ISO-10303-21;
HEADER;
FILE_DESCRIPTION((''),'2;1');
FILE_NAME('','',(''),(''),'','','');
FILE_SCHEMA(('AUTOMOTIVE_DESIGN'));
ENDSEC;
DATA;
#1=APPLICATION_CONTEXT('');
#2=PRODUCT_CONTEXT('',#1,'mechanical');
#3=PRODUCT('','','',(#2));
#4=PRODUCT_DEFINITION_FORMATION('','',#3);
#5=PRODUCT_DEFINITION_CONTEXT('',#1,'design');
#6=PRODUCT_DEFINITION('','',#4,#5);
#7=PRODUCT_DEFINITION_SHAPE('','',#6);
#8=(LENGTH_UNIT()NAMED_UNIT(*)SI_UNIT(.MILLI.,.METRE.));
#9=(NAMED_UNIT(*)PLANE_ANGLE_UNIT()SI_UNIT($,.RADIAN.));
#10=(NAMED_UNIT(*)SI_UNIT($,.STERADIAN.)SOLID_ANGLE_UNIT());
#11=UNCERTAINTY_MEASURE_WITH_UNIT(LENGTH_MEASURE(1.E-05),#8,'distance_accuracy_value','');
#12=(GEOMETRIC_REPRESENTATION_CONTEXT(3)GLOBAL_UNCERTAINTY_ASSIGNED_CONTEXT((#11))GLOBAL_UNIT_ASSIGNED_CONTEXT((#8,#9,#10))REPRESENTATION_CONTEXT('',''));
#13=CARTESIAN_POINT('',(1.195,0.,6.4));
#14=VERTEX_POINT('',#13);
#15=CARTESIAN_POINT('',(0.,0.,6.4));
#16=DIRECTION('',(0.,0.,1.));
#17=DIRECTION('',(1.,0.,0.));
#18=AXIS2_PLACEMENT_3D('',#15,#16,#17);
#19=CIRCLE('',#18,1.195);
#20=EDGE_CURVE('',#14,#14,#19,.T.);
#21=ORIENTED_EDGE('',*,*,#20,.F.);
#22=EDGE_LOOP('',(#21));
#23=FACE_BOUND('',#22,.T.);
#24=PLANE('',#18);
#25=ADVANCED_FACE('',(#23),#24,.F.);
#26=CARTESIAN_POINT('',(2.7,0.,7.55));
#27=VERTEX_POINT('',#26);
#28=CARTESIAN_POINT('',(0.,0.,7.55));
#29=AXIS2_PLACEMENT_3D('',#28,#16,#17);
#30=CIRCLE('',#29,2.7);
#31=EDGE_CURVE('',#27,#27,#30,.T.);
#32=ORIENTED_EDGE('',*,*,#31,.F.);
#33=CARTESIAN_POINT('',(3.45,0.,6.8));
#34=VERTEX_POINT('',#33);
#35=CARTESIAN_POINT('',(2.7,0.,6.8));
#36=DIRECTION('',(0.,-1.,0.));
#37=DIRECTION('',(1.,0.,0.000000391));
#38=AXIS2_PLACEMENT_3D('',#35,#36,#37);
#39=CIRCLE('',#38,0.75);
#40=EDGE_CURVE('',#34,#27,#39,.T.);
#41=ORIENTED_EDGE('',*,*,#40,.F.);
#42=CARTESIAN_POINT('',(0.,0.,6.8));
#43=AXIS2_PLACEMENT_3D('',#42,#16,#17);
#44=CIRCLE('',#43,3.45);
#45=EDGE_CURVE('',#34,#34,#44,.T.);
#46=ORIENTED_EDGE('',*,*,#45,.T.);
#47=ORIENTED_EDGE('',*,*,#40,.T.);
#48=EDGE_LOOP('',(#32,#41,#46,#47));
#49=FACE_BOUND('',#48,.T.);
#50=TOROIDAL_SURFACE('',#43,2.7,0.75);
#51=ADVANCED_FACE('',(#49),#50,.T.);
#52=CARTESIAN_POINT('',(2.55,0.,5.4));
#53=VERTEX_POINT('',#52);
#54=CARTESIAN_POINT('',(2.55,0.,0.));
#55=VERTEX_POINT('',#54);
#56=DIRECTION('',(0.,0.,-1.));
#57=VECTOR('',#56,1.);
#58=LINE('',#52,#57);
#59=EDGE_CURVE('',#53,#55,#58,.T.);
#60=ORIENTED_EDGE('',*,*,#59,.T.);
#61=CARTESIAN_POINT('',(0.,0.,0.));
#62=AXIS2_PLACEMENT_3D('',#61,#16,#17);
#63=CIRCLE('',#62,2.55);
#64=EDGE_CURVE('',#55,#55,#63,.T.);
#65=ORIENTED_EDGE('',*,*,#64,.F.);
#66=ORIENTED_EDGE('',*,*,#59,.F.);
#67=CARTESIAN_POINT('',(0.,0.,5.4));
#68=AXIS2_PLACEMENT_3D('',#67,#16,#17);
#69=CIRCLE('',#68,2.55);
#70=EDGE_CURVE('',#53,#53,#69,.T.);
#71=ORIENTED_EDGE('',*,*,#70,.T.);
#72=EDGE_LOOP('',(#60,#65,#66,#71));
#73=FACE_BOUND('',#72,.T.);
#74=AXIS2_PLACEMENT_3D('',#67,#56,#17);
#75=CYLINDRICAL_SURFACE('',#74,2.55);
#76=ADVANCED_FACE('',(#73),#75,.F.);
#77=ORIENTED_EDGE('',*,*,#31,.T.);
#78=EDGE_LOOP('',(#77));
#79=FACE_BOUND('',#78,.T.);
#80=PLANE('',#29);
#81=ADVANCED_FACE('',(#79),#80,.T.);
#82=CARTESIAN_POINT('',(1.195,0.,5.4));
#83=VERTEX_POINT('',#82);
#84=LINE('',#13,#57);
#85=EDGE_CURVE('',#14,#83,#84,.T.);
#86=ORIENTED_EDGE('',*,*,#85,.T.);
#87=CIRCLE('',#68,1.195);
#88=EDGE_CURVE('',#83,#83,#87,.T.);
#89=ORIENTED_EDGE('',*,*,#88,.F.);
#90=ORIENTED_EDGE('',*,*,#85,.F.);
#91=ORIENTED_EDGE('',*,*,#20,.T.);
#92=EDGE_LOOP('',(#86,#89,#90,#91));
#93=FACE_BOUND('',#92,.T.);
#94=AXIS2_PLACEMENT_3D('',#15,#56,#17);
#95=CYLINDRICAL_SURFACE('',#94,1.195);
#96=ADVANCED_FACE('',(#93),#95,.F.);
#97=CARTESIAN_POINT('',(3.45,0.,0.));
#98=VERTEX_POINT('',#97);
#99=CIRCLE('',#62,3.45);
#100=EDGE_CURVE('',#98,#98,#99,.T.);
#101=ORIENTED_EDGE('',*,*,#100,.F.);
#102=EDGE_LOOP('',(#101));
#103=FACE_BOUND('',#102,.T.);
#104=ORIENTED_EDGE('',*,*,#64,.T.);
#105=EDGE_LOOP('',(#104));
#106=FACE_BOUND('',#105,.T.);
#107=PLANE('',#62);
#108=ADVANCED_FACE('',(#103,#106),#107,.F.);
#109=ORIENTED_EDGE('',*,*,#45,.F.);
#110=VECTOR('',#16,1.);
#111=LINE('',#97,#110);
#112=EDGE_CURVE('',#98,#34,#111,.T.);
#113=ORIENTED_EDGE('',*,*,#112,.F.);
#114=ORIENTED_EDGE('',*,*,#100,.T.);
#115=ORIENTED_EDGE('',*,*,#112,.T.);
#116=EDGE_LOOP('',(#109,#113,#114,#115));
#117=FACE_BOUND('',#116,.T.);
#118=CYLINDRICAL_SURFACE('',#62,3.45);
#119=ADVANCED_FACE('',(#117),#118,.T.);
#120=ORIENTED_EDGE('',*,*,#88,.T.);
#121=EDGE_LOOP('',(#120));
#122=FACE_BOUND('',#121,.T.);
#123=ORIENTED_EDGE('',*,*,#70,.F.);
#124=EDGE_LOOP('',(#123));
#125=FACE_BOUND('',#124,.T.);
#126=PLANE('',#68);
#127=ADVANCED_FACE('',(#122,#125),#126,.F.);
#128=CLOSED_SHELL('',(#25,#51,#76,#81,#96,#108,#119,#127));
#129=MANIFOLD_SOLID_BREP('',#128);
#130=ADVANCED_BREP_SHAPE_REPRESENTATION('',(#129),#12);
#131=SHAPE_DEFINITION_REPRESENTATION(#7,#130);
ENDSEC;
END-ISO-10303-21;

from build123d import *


with BuildPart() as f2:
    # F1 (on Front) → F2 (revolve)
    with BuildSketch(Plane.XZ):
        with BuildLine():
            Line((2.55, 5.4), (2.55, 0))
            Line((2.55, 0), (3.45, 0))
            Line((3.45, 0), (3.45, 6.8))
            ThreePointArc((3.45, 6.8), (3.23033, 7.33033), (2.7, 7.55))
            Line((2.7, 7.55), (0, 7.55))
            Line((0, 7.55), (0, 6.4))
            Line((0, 6.4), (1.195, 6.4))
            Line((1.195, 6.4), (1.195, 5.4))
            Line((1.195, 5.4), (2.55, 5.4))
        make_face()
    revolve(axis=Axis((0, 0, 28.272759), (0, 0, 1)))


solid = f2.part
